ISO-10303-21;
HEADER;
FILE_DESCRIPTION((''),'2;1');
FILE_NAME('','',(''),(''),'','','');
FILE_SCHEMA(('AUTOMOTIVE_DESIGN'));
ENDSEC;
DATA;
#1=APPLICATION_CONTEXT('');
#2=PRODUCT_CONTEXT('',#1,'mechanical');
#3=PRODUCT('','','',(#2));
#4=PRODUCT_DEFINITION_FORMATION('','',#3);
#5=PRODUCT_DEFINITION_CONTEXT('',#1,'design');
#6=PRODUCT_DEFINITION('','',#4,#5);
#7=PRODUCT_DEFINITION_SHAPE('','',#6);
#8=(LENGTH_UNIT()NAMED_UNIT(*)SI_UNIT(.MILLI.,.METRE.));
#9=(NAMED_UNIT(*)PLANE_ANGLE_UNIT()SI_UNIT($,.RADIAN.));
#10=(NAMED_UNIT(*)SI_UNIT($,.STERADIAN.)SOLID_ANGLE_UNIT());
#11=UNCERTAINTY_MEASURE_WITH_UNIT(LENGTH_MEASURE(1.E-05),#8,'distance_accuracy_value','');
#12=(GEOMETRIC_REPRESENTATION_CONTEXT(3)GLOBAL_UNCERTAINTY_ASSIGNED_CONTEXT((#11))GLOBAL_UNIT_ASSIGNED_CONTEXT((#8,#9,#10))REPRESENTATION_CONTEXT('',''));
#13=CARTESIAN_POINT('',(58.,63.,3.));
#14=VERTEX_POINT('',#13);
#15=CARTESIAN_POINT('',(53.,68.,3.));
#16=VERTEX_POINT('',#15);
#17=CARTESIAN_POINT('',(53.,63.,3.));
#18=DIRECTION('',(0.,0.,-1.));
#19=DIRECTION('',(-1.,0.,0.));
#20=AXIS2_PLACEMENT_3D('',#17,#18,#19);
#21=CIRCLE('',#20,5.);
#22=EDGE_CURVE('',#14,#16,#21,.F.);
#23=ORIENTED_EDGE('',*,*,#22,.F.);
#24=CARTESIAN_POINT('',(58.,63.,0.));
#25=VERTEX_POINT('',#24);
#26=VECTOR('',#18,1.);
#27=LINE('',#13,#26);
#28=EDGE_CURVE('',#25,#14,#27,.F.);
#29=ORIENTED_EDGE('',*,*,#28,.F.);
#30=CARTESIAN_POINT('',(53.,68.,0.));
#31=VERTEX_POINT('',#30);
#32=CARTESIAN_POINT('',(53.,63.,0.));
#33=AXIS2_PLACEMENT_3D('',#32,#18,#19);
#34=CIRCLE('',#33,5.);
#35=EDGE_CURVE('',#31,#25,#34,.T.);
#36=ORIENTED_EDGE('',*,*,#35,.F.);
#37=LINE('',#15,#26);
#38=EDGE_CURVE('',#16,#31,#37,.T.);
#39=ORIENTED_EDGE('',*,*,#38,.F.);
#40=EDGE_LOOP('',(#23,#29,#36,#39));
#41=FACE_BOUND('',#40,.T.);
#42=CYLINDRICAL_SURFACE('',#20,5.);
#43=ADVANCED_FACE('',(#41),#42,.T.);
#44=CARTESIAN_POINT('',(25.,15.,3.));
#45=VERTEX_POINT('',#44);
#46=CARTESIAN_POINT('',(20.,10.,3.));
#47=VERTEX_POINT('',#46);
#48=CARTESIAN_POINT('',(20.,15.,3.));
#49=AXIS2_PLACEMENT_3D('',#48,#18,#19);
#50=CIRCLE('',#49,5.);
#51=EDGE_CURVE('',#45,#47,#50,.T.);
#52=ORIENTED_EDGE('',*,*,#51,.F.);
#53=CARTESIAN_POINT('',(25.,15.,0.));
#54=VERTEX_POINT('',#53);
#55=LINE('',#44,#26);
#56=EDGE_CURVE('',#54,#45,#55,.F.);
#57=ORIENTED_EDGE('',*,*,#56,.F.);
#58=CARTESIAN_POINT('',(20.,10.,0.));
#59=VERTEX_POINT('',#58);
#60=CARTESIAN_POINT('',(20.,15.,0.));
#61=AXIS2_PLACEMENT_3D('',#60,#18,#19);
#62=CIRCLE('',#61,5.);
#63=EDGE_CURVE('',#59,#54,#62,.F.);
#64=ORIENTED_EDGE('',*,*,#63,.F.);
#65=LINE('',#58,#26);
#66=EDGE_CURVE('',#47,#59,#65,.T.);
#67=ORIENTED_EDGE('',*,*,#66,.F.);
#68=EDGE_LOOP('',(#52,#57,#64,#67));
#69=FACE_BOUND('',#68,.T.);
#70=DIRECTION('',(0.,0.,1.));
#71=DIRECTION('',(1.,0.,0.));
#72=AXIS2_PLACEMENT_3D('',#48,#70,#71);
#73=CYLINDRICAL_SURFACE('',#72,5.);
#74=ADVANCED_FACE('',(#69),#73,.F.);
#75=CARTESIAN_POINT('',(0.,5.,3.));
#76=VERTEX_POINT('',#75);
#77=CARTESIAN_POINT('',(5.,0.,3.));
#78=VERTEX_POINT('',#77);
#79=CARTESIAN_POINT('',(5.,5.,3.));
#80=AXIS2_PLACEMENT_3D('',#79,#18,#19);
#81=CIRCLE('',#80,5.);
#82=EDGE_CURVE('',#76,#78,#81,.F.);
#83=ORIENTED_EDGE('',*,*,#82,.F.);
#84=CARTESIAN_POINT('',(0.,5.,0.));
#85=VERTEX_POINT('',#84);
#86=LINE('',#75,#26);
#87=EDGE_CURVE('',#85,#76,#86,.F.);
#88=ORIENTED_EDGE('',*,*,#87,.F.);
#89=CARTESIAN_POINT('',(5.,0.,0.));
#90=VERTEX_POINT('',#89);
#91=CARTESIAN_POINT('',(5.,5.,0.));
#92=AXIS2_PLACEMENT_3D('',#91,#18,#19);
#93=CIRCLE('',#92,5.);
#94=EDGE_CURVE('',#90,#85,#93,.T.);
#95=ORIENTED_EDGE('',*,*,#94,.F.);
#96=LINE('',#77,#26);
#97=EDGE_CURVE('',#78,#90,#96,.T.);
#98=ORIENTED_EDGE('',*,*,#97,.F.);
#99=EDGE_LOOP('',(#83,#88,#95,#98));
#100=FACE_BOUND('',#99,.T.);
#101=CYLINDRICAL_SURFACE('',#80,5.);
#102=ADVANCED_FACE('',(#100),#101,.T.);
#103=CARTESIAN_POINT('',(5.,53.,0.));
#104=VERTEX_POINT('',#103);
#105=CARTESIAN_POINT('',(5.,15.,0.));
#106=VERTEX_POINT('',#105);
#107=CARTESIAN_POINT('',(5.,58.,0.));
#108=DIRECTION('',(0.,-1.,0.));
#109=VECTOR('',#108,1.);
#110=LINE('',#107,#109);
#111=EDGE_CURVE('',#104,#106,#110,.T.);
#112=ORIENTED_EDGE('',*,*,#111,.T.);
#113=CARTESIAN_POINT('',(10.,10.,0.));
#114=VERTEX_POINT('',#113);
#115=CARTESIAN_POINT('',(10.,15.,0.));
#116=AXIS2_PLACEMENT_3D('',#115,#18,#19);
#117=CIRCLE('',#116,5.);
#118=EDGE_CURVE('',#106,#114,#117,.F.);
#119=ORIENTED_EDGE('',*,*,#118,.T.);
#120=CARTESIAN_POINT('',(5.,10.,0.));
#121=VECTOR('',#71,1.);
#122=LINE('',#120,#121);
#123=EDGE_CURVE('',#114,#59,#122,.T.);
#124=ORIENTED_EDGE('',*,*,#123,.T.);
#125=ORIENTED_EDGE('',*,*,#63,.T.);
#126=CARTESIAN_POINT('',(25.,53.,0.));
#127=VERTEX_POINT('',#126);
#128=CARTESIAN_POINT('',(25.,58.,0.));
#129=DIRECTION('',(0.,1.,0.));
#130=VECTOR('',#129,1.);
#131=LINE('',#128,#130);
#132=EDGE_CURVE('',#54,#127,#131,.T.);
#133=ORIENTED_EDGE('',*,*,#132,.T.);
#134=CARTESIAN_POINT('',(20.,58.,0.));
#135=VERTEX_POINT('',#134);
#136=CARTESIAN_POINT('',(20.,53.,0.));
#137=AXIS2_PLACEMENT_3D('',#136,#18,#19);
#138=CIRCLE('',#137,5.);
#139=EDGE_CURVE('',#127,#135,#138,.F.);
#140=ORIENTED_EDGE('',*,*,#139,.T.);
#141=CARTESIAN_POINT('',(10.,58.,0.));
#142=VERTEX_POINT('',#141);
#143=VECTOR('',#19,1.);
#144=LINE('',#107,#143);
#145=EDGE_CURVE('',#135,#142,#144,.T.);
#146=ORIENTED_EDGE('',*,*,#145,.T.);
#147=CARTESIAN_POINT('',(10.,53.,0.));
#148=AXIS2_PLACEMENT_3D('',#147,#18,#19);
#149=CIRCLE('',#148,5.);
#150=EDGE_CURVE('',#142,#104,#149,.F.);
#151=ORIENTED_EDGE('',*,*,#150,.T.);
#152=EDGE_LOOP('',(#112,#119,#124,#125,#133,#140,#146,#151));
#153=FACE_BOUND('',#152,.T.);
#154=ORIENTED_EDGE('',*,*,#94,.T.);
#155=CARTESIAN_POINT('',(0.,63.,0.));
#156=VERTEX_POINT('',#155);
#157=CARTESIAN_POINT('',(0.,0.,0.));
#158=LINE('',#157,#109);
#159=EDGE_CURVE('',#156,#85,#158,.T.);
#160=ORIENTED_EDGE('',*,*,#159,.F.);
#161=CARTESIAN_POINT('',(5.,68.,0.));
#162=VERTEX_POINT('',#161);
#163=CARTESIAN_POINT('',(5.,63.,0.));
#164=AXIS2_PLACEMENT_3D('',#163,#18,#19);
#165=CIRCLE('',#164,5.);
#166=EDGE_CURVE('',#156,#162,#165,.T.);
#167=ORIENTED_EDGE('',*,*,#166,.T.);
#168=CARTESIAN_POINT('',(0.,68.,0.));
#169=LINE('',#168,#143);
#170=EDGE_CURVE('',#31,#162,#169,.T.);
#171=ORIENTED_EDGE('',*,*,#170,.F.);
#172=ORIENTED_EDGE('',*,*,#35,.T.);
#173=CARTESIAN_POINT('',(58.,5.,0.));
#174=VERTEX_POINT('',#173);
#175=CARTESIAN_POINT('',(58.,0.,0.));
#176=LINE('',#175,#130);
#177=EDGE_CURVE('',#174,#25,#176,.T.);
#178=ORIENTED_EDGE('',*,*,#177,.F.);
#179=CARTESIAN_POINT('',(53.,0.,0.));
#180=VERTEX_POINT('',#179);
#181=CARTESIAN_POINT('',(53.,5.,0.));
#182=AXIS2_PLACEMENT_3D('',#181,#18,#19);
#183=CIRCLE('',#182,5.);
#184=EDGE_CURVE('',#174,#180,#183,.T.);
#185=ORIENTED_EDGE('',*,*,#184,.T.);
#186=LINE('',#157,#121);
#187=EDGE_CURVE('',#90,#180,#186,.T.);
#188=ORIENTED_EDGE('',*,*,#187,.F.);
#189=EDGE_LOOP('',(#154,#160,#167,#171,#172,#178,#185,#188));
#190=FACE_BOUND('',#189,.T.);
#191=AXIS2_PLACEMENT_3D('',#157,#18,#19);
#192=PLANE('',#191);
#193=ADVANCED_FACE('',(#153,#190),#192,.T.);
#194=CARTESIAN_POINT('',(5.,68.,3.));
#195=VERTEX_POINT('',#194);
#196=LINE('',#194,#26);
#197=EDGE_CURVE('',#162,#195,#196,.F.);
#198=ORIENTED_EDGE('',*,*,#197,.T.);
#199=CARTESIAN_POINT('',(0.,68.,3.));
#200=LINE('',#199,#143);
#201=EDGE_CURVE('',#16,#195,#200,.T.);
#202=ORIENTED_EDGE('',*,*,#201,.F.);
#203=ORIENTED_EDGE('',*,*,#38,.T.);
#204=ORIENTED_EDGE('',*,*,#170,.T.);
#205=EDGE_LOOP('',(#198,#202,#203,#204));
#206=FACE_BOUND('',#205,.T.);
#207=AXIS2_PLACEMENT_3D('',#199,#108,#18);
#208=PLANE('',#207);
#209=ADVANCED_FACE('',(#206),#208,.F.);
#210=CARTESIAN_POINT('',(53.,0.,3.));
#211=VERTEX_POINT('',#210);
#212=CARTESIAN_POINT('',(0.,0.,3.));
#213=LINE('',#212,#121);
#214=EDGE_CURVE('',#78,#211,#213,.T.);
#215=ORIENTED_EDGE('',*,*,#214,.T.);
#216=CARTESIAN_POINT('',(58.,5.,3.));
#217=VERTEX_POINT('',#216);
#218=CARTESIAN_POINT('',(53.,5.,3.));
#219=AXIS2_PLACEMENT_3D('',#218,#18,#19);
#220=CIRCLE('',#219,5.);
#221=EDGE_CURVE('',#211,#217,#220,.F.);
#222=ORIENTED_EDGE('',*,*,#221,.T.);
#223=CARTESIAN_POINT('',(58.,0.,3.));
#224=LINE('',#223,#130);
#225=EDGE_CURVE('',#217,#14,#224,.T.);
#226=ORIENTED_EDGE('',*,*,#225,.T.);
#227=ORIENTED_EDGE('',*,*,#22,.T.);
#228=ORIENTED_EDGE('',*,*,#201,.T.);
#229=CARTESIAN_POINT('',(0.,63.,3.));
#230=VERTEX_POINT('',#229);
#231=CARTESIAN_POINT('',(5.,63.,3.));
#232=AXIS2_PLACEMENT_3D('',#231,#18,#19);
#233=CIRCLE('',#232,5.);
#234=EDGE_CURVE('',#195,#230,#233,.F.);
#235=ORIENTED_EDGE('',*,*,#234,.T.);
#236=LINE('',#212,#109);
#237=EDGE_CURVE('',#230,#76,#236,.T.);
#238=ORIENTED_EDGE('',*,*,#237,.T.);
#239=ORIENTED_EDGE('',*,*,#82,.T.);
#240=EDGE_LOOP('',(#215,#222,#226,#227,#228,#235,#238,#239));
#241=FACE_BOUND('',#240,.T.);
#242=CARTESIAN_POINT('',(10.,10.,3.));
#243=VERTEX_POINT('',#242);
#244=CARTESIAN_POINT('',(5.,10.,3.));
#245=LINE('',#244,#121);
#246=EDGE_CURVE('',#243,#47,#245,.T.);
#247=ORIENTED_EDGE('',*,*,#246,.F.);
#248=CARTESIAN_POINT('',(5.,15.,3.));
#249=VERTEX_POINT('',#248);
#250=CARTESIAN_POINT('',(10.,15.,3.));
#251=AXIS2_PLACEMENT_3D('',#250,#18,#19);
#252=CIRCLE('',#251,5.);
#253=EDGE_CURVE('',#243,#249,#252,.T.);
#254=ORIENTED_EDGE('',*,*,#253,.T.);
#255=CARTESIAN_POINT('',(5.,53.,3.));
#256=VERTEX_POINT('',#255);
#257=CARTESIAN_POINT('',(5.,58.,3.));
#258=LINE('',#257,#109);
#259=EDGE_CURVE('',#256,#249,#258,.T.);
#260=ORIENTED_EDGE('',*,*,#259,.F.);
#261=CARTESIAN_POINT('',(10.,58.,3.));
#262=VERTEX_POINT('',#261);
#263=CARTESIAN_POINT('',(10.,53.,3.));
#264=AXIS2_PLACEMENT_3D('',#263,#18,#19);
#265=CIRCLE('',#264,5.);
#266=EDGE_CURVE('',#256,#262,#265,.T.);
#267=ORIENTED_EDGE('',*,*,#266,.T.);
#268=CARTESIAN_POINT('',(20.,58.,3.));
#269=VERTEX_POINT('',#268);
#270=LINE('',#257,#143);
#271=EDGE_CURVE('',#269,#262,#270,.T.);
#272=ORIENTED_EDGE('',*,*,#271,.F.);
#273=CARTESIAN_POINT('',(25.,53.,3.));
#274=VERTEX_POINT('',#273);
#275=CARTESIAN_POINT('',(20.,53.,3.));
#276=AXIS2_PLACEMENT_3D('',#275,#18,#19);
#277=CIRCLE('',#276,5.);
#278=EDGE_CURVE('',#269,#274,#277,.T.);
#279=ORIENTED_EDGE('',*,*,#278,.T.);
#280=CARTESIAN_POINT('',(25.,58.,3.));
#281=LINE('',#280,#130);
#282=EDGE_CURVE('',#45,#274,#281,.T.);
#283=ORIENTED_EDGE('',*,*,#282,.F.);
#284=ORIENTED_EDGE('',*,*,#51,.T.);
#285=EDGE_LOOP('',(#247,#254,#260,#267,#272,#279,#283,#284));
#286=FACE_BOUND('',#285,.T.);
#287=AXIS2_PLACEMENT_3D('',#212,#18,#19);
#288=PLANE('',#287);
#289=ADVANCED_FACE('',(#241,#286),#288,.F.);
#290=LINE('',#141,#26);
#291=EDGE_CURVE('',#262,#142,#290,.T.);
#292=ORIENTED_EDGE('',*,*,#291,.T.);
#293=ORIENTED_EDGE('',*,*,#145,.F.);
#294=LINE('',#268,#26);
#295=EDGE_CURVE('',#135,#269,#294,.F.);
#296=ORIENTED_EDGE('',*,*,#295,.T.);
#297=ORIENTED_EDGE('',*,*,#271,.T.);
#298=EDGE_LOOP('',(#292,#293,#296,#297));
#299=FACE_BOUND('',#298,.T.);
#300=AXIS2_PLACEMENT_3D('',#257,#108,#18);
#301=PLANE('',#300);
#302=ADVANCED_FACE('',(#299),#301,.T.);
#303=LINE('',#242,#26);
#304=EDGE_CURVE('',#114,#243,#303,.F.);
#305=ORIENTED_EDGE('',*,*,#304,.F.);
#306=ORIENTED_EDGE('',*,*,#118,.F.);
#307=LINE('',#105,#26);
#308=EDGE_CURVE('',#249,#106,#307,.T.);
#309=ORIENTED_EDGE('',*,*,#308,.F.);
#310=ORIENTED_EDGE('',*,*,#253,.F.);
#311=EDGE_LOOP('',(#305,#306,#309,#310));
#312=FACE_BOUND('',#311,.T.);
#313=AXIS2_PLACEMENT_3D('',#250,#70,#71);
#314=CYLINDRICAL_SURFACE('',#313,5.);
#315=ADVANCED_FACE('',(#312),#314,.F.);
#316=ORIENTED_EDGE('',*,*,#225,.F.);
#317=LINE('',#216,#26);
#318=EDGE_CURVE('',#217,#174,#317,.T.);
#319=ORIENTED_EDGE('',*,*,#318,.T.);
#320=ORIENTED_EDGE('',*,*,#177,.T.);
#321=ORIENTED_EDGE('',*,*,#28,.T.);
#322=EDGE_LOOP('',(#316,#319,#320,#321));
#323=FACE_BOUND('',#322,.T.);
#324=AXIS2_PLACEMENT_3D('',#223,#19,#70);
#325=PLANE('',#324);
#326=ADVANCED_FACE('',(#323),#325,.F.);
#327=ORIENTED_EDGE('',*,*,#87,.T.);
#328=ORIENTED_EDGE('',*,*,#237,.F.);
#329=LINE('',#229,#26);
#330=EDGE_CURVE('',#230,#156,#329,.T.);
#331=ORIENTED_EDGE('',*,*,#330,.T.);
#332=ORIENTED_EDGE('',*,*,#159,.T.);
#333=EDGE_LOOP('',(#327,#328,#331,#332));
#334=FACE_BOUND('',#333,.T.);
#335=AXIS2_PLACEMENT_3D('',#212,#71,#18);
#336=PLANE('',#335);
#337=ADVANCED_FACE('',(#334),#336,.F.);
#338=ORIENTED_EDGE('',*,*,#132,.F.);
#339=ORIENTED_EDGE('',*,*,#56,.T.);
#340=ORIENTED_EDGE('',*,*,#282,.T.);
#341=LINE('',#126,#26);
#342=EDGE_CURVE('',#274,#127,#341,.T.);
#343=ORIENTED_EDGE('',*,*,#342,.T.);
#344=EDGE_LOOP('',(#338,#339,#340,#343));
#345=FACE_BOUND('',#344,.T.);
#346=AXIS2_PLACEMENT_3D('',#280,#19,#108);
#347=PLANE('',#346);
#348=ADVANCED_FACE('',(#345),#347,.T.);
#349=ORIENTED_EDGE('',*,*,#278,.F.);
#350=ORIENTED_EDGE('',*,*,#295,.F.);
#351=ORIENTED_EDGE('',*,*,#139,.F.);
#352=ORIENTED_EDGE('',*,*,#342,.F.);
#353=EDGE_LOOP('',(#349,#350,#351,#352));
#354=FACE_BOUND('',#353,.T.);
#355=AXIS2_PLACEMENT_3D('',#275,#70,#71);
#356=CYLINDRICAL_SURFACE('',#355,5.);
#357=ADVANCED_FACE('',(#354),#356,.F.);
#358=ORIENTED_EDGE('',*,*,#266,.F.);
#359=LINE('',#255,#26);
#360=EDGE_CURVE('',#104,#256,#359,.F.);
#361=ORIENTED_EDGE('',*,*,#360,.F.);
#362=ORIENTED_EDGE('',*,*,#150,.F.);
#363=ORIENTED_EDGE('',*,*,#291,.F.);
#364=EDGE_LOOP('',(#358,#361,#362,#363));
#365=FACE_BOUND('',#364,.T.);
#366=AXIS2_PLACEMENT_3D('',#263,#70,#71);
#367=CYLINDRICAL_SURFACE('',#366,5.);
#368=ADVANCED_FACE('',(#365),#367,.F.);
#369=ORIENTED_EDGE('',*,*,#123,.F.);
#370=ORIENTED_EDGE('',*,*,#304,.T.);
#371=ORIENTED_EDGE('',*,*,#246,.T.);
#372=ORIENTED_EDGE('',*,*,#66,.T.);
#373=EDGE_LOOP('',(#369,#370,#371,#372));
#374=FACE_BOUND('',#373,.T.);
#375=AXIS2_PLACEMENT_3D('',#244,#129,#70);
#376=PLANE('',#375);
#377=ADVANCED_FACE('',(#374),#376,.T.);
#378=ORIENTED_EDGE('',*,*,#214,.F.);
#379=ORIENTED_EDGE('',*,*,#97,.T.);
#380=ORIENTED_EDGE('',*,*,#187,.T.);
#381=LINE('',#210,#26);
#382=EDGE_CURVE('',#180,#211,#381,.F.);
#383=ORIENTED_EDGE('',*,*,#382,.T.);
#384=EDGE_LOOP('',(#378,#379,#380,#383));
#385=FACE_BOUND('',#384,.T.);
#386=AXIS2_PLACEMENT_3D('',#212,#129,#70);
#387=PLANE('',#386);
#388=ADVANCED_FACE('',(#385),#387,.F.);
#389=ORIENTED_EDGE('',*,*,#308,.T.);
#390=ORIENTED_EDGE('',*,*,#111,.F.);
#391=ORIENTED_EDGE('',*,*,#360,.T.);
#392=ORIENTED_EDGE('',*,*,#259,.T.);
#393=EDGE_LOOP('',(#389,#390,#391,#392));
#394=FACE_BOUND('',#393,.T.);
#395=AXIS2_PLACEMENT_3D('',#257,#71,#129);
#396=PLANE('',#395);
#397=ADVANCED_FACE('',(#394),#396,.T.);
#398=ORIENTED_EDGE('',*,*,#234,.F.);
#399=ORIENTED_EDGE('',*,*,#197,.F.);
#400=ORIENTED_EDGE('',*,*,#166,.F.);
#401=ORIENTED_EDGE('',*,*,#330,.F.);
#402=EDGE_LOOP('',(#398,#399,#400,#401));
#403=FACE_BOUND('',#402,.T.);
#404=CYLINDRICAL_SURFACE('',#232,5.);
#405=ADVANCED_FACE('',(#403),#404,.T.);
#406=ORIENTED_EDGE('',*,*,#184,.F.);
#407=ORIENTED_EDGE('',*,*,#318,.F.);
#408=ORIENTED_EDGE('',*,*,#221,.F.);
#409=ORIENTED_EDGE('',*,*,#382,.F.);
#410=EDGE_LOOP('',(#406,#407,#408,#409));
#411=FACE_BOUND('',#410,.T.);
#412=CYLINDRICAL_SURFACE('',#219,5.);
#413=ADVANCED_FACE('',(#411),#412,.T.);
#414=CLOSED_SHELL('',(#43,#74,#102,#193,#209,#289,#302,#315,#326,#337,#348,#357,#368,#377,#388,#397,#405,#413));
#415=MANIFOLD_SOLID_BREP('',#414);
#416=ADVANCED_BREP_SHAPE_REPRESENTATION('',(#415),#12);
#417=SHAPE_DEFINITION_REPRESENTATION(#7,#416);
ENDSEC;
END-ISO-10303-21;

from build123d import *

# Parameters (mm, degrees)
SKETCH1_W           = 58
SKETCH1_H           = 68
SKETCH1_W_2         = 20
SKETCH1_H_2         = 48
BOSS_EXTRUDE1_DEPTH = 3
FILLET2_R           = 5
FILLET3_R           = 5


with BuildPart() as part:
    # Sketch1 → Boss-Extrude1 (new body)
    with BuildSketch(Plane.XY):
        with Locations((29, 34)):
            Rectangle(SKETCH1_W, SKETCH1_H)
        with Locations((15, 34)):
            Rectangle(SKETCH1_W_2, SKETCH1_H_2, mode=Mode.SUBTRACT)
    extrude(amount=BOSS_EXTRUDE1_DEPTH)

    # Fillet2
    fillet2_edges = [part.edges().sort_by_distance(p)[0] for p in [
        (0, 68, 1.5),
        (58, 68, 1.5),
        (58, 0, 1.5),
        (0, 0, 1.5),
    ]]
    fillet(fillet2_edges, radius=FILLET2_R)

    # Fillet3
    fillet3_edges = [part.edges().sort_by_distance(p)[0] for p in [
        (5, 58, 1.5),
        (5, 10, 1.5),
        (25, 10, 1.5),
        (25, 58, 1.5),
    ]]
    fillet(fillet3_edges, radius=FILLET3_R)


solid = part.part
